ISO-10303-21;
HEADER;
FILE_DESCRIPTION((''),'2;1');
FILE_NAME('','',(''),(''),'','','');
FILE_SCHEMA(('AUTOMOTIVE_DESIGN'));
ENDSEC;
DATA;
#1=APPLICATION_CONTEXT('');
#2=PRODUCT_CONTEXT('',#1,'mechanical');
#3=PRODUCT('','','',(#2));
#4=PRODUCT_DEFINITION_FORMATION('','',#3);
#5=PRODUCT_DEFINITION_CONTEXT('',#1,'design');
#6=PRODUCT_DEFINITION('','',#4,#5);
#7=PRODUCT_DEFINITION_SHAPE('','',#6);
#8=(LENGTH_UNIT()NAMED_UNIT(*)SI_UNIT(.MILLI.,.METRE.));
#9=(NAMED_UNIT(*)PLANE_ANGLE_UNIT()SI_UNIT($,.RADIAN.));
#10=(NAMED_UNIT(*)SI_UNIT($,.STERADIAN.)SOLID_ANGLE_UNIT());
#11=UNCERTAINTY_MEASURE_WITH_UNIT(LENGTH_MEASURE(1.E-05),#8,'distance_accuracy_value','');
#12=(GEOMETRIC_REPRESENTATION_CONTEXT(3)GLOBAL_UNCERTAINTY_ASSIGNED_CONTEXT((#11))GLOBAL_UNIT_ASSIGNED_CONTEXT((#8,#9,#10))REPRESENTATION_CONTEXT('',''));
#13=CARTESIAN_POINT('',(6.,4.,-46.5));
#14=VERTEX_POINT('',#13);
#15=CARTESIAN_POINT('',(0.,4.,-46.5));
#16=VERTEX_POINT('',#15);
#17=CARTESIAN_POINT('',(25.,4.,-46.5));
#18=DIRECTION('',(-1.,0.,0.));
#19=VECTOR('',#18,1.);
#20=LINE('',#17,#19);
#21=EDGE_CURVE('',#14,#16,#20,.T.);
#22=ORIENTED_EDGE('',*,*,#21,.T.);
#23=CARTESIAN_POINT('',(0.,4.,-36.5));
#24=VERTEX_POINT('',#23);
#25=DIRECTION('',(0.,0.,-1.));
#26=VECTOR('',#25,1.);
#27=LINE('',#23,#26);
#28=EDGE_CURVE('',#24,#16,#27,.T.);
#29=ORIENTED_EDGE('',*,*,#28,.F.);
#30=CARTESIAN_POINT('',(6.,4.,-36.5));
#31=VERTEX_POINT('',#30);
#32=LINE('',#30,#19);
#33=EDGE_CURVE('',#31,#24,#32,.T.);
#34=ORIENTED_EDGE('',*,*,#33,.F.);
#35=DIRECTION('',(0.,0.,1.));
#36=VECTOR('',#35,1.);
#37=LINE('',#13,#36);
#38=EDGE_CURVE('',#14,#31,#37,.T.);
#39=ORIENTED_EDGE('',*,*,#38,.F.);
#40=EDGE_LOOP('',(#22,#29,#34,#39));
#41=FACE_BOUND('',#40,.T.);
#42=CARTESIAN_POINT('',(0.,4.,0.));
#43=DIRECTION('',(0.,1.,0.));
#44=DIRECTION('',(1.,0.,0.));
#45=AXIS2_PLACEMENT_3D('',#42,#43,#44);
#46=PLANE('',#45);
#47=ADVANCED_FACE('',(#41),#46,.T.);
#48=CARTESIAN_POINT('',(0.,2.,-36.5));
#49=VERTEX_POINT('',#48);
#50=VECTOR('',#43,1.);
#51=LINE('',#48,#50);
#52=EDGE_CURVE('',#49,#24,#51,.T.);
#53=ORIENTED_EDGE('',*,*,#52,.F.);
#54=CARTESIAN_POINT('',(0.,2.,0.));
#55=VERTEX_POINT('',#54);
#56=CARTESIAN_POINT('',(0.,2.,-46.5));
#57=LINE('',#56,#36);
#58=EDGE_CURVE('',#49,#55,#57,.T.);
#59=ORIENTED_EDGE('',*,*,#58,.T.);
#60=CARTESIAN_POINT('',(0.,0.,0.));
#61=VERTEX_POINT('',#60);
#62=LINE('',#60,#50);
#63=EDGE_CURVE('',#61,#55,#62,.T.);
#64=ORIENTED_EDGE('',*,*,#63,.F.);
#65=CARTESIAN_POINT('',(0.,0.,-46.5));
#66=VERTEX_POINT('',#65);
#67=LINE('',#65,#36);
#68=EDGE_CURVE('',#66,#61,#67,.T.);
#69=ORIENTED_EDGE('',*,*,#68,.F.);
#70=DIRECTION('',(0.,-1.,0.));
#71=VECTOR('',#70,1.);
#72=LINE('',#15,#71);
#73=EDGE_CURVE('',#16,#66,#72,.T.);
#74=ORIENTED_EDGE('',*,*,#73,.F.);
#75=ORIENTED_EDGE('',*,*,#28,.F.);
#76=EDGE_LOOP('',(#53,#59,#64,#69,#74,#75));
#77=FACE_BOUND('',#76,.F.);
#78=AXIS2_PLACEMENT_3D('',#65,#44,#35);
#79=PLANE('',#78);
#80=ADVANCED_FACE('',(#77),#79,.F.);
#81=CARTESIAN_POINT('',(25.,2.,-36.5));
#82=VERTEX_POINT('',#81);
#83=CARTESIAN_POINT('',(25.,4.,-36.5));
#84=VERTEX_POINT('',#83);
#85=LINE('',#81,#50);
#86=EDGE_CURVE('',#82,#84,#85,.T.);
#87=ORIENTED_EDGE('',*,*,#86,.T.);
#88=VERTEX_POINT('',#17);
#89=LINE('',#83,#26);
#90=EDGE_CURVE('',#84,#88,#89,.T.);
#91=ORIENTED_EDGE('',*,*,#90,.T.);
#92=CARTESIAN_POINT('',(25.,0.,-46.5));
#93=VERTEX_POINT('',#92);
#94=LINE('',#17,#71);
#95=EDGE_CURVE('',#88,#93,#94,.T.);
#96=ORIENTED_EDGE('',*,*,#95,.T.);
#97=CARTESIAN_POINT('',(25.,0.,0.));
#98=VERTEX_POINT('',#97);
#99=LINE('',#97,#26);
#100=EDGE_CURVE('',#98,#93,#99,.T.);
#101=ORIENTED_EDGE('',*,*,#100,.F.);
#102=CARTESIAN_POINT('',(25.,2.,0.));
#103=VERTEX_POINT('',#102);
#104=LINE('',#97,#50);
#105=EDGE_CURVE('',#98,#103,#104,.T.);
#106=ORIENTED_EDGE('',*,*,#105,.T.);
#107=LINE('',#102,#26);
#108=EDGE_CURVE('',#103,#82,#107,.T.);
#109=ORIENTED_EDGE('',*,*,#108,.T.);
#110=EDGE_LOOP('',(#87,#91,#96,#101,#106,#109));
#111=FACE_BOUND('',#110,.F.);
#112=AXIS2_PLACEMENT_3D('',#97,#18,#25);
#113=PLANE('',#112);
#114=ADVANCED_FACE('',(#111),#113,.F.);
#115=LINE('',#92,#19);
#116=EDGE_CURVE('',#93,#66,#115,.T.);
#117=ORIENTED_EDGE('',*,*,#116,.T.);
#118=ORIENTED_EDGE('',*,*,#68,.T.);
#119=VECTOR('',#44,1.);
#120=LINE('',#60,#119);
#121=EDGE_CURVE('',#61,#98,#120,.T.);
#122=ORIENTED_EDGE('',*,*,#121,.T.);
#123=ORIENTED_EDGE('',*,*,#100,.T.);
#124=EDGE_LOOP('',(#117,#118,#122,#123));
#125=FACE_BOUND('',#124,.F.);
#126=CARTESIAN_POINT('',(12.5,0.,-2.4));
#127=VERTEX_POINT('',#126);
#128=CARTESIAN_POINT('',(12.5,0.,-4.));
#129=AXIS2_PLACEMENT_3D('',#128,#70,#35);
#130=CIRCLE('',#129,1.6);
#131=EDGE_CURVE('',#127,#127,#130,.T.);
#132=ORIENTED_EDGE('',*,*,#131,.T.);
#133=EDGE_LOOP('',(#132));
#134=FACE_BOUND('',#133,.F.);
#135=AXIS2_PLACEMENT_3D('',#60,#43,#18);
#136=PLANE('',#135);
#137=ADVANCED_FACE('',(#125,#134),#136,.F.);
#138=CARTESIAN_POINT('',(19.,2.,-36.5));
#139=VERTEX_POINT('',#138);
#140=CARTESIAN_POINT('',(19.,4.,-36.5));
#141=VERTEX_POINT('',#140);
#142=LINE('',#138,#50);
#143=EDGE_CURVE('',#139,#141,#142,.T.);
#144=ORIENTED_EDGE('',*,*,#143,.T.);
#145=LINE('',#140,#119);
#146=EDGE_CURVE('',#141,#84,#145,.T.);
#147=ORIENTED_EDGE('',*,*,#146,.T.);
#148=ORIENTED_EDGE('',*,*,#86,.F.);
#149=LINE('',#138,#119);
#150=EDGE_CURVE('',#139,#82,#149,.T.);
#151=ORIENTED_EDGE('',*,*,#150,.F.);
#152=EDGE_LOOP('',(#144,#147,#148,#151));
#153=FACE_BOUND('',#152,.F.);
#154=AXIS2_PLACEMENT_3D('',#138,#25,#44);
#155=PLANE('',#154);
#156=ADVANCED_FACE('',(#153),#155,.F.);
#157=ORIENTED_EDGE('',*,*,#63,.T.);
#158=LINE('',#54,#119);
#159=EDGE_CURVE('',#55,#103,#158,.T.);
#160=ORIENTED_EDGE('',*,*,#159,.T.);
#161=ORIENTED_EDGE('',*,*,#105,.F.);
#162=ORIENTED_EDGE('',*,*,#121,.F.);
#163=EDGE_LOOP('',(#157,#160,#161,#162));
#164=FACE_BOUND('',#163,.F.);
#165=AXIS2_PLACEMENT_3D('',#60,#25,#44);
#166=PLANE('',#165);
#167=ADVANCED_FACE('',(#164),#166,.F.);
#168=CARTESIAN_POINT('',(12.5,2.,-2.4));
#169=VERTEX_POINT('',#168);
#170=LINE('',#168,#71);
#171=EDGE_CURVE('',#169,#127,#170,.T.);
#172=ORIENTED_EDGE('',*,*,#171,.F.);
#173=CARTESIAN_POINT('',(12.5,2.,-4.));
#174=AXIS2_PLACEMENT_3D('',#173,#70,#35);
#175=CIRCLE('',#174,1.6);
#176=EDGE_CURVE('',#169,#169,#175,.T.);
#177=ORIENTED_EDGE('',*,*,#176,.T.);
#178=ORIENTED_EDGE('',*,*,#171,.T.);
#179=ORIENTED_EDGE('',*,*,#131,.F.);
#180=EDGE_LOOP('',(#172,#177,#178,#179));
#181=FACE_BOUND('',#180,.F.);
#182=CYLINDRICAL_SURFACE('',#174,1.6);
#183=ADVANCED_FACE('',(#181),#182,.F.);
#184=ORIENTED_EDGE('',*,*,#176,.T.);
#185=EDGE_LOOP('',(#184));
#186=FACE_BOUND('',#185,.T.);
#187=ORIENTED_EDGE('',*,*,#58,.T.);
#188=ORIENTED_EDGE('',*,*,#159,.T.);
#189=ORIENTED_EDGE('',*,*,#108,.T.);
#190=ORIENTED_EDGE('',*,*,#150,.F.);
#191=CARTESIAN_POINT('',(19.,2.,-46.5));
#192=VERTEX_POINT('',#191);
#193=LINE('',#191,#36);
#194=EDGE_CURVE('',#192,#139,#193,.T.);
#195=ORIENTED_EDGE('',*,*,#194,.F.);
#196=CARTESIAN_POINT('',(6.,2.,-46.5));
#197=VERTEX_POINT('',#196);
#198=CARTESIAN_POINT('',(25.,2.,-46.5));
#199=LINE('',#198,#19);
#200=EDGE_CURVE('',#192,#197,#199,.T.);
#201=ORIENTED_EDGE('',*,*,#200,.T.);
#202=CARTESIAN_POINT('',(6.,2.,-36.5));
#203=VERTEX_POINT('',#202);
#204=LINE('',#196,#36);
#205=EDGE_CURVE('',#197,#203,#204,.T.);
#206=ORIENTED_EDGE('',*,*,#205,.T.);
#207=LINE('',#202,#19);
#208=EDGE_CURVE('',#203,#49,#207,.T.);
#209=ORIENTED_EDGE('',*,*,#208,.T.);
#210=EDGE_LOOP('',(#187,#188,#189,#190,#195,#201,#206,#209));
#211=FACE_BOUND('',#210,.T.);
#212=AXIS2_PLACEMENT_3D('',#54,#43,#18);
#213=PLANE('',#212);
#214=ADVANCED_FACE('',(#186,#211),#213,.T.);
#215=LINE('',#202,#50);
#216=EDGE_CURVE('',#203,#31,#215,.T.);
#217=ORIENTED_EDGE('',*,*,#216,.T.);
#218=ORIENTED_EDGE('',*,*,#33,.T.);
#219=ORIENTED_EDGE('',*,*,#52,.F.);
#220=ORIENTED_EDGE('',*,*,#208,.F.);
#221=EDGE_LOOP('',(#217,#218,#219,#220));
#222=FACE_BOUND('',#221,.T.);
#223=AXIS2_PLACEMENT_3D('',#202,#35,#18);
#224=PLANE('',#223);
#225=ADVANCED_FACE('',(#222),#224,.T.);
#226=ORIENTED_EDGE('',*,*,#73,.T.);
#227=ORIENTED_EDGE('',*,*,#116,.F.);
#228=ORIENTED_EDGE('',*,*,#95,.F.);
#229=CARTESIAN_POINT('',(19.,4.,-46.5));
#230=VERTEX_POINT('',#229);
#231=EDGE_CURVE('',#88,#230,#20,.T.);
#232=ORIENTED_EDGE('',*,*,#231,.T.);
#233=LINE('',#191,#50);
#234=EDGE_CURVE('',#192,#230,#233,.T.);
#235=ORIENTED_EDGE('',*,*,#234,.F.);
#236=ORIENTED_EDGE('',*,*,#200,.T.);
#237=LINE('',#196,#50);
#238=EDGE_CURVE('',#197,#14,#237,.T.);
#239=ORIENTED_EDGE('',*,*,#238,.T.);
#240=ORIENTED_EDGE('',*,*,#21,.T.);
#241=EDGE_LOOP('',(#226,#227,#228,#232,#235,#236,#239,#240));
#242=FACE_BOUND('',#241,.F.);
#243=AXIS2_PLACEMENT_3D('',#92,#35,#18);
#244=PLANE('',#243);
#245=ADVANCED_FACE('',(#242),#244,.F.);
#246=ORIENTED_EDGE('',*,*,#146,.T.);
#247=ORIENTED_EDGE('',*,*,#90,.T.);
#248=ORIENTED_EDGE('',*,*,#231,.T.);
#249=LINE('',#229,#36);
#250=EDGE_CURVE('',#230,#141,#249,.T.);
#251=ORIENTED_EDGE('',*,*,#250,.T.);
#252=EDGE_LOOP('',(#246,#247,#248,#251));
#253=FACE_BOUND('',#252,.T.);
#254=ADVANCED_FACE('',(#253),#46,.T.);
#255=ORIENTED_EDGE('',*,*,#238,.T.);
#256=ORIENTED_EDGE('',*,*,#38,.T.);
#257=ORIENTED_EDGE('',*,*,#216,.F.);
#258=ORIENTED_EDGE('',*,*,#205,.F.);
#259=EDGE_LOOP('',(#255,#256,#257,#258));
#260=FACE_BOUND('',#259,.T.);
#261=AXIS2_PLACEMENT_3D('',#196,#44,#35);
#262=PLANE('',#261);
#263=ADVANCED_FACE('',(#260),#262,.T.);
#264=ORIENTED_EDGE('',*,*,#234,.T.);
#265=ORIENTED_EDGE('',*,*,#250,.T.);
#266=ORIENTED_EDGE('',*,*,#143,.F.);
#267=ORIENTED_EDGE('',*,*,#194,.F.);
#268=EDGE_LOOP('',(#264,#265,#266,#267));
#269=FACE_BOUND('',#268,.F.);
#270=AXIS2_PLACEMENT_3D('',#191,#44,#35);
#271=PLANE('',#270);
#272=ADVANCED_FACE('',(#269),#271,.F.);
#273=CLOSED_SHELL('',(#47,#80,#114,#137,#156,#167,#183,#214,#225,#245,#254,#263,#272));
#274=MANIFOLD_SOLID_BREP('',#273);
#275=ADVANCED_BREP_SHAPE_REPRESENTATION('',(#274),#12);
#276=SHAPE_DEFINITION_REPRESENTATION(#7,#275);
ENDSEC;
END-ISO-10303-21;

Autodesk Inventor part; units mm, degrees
ref_plane "YZ Plane" through (0, 0, 0) normal (1, 0, 0) x (0, 1, 0)
ref_plane "XZ Plane" through (0, 0, 0) normal (0, 1, 0) x (-1, 0, 0)
ref_plane "XY Plane" through (0, 0, 0) normal (0, 0, 1) x (1, 0, 0)
sketch "Sketch1" plane through (0, 0, 0) normal (0, 1, 0) x (-1, 0, 0)
  line L0 (0, 0) -> (-25, 0)
  line L1 (-25, 0) -> (-25, -46.5)
  line L2 (-25, -46.5) -> (0, -46.5)
  line L3 (0, -46.5) -> (0, 0)
  dimension "d0" = 25
  dimension "d1" = 46.5
extrude "Extrusion1" add sketch "Sketch1" along normal blind 2
sketch "Sketch2" plane through (0, 2, 0) normal (0, 1, 0) x (1, 0, 0)
  line L0 (25, 46.5) -> (0, 46.5) projected
  line L1 (0, 46.5) -> (6, 46.5)
  line L2 (6, 46.5) -> (6, 36.5)
  line L3 (6, 36.5) -> (0, 36.5)
  line L4 (0, 36.5) -> (0, 46.5)
  line L5 (25, 46.5) -> (19, 46.5)
  line L6 (19, 46.5) -> (19, 36.5)
  line L7 (19, 36.5) -> (25, 36.5)
  line L8 (25, 36.5) -> (25, 46.5)
  point P0 (0, 0)
  dimension "d4" = 6
  dimension "d5" = 10
  dimension "d6" = 6
extrude "Extrusion2" add sketch "Sketch2" along normal blind 2
sketch "Sketch3" plane through (0, 2, 0) normal (0, 1, 0) x (1, 0, 0)
  line L0 (0, 0) -> (25, 0) projected
  line L1 (25, 0) -> (25, 36.5) projected
  point P0 (12.5, 4)
  dimension "d9" = 4
  dimension "d10" = 12.5
hole "Hole1" at (12.5, 2, -4) direction (0, -1, 0) diameter 3.2 end through all
properties part number "mlx_mount_2mm"
